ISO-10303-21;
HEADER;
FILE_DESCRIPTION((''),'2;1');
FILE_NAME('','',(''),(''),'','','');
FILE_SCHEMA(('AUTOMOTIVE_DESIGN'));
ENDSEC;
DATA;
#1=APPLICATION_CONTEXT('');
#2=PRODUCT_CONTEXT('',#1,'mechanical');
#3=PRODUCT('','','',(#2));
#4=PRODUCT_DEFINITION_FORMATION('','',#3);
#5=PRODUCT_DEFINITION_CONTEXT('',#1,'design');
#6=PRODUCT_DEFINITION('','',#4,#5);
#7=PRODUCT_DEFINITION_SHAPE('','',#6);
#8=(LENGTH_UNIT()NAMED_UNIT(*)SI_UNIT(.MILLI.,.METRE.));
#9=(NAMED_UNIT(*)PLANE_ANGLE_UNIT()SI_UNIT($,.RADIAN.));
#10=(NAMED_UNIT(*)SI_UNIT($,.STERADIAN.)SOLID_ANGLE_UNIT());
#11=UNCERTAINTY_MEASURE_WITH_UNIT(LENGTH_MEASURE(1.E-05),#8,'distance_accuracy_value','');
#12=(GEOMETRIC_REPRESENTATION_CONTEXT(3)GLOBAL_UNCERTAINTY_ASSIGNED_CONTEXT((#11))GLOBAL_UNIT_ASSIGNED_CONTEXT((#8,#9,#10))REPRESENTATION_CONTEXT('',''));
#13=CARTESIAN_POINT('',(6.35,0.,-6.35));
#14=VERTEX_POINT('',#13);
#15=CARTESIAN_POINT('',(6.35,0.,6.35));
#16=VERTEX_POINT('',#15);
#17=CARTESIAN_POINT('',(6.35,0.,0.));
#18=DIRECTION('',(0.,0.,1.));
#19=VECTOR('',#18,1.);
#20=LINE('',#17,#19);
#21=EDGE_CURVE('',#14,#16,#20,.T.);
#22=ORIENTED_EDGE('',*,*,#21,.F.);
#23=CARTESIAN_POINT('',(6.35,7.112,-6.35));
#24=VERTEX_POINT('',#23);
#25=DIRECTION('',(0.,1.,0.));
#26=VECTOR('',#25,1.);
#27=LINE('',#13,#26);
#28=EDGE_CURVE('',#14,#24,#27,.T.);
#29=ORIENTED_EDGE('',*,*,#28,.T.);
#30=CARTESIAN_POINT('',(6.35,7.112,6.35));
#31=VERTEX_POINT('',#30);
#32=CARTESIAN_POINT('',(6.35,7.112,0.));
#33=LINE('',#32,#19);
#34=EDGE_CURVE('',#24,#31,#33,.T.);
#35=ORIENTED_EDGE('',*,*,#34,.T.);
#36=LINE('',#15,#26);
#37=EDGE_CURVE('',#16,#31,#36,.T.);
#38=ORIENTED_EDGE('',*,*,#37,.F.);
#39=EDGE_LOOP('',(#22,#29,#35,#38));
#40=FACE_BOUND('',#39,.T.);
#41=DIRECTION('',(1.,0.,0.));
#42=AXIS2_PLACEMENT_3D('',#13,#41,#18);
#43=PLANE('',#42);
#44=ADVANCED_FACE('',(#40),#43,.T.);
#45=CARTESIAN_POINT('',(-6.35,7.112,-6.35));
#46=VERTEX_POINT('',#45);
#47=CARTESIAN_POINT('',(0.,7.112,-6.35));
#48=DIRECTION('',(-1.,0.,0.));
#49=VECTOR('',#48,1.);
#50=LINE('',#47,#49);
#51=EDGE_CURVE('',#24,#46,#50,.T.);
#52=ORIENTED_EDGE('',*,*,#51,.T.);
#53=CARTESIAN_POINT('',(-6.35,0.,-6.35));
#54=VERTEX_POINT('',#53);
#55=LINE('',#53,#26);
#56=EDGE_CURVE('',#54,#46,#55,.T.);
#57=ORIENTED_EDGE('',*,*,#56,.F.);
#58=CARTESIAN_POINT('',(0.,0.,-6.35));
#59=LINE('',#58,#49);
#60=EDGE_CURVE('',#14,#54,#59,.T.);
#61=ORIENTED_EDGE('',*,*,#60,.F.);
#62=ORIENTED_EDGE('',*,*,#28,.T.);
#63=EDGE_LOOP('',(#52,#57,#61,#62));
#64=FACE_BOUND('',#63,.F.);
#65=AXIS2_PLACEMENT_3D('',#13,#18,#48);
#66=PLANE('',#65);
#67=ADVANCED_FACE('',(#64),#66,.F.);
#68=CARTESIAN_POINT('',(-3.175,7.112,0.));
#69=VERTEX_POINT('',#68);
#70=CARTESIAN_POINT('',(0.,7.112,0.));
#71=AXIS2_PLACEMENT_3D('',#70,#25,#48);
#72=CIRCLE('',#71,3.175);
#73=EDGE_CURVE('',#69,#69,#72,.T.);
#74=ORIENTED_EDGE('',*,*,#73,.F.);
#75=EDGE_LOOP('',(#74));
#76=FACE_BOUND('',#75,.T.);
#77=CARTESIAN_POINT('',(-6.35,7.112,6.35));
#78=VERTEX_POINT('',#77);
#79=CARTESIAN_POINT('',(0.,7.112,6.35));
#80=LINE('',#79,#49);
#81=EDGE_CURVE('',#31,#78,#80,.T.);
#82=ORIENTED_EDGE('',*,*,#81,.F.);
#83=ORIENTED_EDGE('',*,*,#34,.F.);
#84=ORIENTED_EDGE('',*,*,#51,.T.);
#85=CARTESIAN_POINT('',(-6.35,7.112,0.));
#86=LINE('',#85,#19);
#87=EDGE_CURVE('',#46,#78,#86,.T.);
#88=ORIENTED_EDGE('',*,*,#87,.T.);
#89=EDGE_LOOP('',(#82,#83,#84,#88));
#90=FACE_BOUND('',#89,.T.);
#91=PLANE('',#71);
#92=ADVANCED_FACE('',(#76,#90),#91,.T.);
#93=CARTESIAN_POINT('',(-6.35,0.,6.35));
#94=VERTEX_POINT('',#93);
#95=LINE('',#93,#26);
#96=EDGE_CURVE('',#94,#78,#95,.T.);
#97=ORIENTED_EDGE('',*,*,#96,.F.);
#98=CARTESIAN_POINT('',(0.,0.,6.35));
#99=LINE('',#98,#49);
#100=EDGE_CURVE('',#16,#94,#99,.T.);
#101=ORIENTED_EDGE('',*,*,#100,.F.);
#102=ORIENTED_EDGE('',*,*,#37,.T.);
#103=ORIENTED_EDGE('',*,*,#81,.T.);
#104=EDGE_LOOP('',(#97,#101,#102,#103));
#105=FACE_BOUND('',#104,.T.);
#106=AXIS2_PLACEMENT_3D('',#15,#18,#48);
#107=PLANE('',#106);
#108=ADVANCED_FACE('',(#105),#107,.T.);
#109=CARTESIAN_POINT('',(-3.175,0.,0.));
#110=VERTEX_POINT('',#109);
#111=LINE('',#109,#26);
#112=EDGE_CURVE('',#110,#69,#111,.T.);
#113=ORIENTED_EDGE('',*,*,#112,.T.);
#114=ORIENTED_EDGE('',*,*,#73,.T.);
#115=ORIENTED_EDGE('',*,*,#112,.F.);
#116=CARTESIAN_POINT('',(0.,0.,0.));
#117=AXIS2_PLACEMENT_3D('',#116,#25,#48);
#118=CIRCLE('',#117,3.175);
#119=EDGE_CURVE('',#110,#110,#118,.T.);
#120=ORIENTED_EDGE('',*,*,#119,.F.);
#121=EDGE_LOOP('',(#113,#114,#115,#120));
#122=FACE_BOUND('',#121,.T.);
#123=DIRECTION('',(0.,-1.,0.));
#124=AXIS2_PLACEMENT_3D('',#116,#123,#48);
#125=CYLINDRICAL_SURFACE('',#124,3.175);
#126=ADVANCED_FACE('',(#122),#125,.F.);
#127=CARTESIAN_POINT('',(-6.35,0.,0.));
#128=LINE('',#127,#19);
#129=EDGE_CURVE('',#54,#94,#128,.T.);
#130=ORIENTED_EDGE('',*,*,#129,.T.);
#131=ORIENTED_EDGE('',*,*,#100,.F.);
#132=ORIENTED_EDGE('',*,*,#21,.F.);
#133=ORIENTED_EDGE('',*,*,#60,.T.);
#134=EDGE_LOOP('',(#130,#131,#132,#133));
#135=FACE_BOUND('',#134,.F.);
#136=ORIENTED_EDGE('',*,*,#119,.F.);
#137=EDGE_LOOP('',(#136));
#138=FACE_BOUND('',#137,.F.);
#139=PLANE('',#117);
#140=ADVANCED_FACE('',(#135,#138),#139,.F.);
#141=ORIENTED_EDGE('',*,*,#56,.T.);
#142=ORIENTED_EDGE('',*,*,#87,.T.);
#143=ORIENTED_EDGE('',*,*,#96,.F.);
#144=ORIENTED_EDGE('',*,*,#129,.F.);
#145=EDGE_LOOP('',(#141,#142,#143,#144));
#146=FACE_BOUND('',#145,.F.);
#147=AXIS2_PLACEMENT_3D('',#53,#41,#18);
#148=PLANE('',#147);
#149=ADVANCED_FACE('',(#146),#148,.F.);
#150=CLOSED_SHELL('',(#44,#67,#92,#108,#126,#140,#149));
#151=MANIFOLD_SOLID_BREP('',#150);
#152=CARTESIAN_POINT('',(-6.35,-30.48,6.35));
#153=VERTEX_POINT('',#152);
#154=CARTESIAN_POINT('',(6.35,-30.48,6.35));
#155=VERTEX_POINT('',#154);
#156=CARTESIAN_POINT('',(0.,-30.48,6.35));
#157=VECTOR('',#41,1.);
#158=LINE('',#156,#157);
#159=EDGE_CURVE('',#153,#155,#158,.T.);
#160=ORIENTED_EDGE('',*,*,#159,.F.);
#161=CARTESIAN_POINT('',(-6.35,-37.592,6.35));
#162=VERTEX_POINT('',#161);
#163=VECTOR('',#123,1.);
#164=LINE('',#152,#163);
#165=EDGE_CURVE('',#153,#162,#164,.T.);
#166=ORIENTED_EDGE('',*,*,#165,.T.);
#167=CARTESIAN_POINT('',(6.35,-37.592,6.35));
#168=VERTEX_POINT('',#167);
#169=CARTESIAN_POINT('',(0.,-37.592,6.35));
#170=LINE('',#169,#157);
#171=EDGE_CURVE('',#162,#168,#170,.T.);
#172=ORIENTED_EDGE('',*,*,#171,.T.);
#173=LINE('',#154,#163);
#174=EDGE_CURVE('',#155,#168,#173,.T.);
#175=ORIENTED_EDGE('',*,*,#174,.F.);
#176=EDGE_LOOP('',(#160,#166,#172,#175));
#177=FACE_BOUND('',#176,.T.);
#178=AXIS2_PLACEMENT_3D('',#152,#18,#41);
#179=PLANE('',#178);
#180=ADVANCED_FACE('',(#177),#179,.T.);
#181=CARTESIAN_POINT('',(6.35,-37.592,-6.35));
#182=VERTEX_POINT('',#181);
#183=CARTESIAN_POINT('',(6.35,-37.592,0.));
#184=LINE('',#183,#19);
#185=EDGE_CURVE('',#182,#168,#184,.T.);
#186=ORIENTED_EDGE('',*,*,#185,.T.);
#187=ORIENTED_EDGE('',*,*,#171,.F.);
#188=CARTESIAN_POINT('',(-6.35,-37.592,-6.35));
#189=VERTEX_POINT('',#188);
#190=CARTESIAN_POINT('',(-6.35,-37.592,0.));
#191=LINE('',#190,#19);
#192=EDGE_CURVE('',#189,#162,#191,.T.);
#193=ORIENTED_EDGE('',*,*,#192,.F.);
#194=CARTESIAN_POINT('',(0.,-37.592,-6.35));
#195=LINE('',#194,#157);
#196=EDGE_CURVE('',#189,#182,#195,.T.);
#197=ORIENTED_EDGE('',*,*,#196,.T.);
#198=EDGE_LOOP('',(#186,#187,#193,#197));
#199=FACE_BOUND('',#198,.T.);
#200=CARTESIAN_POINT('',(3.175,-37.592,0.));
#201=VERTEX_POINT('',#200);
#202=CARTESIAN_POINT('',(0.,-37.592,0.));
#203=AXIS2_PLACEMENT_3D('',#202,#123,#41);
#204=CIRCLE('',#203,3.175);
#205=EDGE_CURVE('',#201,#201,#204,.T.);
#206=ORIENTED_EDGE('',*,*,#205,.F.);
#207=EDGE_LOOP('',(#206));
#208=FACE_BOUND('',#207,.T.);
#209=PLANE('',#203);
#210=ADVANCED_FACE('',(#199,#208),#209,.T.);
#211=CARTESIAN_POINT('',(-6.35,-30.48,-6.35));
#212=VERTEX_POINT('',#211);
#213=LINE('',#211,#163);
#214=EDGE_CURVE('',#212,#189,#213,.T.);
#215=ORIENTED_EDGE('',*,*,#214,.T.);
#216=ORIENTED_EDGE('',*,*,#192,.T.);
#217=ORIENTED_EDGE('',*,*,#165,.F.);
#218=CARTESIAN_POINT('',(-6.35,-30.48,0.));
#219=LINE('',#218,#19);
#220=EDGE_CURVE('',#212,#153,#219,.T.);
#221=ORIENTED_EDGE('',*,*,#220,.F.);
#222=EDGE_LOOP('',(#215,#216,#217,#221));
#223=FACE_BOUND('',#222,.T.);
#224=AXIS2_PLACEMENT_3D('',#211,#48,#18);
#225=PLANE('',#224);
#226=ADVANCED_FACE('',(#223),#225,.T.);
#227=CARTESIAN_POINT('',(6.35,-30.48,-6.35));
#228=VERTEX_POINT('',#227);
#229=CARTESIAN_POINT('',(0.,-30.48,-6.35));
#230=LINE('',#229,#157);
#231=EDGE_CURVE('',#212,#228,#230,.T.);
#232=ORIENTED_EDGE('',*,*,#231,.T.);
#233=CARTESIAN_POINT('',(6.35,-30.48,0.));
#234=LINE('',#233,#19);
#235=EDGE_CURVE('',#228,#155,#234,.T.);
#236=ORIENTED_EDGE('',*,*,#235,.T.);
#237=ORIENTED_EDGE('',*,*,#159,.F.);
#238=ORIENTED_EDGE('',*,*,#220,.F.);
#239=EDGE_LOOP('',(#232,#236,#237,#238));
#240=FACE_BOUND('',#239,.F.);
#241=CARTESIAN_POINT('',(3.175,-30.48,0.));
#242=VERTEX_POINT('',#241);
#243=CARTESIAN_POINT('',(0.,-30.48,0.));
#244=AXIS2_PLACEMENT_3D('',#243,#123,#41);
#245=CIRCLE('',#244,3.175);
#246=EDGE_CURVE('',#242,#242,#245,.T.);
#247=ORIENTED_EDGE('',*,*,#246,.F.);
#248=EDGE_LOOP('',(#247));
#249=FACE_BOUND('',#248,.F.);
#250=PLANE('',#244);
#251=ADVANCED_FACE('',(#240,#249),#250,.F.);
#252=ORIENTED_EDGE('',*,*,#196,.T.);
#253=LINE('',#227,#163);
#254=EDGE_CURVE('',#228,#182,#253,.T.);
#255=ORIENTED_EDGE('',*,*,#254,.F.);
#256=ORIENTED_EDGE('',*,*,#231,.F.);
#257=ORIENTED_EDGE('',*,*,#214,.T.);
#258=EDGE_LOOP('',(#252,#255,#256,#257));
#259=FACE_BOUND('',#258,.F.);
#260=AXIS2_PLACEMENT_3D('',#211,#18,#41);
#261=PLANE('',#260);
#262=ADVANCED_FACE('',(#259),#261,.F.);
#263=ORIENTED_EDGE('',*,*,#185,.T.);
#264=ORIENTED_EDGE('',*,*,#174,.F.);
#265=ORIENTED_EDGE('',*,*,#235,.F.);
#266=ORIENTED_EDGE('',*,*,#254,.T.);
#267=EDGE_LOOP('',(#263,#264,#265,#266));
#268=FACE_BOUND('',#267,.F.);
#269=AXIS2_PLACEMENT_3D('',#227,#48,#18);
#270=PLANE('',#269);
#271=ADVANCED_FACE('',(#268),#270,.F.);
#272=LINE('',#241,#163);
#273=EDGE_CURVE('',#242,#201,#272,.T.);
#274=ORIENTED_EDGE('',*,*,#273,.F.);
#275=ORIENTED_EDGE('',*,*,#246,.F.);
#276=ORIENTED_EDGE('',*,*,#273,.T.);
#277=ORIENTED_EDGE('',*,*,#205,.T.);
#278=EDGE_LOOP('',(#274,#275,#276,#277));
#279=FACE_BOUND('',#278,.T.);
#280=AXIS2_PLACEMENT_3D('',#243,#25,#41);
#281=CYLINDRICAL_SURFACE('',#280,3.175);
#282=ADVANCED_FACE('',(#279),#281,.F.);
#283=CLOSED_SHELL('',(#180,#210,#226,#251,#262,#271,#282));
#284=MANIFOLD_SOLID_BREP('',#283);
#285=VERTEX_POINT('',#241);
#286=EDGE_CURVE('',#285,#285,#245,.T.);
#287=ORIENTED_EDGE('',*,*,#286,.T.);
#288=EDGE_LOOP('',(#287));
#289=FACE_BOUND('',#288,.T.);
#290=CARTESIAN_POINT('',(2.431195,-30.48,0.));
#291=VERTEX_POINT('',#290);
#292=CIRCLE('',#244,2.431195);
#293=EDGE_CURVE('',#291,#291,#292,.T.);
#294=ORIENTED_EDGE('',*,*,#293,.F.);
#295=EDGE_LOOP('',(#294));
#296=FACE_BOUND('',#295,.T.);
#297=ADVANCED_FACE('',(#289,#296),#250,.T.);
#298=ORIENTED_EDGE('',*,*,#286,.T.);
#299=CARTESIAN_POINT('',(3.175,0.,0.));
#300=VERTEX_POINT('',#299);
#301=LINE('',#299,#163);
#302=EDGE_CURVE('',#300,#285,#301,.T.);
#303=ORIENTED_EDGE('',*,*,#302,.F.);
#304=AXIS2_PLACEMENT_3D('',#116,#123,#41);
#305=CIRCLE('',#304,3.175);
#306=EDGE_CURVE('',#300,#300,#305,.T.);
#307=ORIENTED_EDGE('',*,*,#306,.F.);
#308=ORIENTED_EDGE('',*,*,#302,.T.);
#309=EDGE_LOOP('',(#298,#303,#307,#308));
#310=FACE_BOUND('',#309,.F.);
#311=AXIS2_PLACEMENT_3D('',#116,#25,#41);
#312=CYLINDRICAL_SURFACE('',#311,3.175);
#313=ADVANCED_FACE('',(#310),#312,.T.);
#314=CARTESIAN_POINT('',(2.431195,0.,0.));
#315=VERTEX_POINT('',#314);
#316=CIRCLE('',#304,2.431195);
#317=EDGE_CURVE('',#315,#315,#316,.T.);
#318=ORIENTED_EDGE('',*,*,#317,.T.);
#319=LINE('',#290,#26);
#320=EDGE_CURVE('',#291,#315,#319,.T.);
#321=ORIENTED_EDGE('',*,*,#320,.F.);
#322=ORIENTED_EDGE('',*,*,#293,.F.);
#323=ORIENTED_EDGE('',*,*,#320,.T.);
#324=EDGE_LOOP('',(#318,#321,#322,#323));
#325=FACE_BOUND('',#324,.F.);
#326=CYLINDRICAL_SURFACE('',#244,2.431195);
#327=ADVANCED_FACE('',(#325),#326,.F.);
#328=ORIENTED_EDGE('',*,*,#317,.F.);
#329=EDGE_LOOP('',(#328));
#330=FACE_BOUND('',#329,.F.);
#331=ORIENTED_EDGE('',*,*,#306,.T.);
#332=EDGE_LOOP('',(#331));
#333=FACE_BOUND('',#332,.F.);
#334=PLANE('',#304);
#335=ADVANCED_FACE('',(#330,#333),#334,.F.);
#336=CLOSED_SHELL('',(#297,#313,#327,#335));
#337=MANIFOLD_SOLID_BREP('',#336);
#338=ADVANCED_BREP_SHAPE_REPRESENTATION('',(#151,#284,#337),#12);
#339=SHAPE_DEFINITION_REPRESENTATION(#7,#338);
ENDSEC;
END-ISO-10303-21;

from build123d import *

# Parameters (mm, degrees)
F0_R     = 3.175
F1_DEPTH = 30.48
F3_W     = 12.7
F3_H     = 12.7
F3_R     = 3.175
F4_DEPTH = 7.112
F5_W     = 12.7
F5_H     = 12.7
F5_R     = 3.175
F6_DEPTH = 7.112
F7_R     = 2.431195
F8_DEPTH = 43.688


with BuildPart() as f1:
    # F0 (on Front) → F1 (new body)
    with BuildSketch(Plane.XZ):
        Circle(F0_R)
    extrude(amount=F1_DEPTH)

    # F7 (on face) → F8 (cut)
    with BuildSketch(Plane.XZ.offset(30.48)):
        Circle(F7_R)
    extrude(amount=-F8_DEPTH, mode=Mode.SUBTRACT)


with BuildPart() as f4:
    # F3 (on face) → F4 (new body)
    with BuildSketch(Plane.XZ.offset(30.48)):
        Rectangle(F3_W, F3_H)
        Circle(F3_R, mode=Mode.SUBTRACT)
    extrude(amount=F4_DEPTH)


with BuildPart() as f6:
    # F5 (on face) → F6 (new body)
    with BuildSketch(Plane(origin=(0, 0, 0), x_dir=(-1, 0, 0), z_dir=(0, 1, 0))):
        Rectangle(F5_W, F5_H)
        Circle(F5_R, mode=Mode.SUBTRACT)
    extrude(amount=F6_DEPTH)


solid = Compound([f1.part, f4.part, f6.part])
